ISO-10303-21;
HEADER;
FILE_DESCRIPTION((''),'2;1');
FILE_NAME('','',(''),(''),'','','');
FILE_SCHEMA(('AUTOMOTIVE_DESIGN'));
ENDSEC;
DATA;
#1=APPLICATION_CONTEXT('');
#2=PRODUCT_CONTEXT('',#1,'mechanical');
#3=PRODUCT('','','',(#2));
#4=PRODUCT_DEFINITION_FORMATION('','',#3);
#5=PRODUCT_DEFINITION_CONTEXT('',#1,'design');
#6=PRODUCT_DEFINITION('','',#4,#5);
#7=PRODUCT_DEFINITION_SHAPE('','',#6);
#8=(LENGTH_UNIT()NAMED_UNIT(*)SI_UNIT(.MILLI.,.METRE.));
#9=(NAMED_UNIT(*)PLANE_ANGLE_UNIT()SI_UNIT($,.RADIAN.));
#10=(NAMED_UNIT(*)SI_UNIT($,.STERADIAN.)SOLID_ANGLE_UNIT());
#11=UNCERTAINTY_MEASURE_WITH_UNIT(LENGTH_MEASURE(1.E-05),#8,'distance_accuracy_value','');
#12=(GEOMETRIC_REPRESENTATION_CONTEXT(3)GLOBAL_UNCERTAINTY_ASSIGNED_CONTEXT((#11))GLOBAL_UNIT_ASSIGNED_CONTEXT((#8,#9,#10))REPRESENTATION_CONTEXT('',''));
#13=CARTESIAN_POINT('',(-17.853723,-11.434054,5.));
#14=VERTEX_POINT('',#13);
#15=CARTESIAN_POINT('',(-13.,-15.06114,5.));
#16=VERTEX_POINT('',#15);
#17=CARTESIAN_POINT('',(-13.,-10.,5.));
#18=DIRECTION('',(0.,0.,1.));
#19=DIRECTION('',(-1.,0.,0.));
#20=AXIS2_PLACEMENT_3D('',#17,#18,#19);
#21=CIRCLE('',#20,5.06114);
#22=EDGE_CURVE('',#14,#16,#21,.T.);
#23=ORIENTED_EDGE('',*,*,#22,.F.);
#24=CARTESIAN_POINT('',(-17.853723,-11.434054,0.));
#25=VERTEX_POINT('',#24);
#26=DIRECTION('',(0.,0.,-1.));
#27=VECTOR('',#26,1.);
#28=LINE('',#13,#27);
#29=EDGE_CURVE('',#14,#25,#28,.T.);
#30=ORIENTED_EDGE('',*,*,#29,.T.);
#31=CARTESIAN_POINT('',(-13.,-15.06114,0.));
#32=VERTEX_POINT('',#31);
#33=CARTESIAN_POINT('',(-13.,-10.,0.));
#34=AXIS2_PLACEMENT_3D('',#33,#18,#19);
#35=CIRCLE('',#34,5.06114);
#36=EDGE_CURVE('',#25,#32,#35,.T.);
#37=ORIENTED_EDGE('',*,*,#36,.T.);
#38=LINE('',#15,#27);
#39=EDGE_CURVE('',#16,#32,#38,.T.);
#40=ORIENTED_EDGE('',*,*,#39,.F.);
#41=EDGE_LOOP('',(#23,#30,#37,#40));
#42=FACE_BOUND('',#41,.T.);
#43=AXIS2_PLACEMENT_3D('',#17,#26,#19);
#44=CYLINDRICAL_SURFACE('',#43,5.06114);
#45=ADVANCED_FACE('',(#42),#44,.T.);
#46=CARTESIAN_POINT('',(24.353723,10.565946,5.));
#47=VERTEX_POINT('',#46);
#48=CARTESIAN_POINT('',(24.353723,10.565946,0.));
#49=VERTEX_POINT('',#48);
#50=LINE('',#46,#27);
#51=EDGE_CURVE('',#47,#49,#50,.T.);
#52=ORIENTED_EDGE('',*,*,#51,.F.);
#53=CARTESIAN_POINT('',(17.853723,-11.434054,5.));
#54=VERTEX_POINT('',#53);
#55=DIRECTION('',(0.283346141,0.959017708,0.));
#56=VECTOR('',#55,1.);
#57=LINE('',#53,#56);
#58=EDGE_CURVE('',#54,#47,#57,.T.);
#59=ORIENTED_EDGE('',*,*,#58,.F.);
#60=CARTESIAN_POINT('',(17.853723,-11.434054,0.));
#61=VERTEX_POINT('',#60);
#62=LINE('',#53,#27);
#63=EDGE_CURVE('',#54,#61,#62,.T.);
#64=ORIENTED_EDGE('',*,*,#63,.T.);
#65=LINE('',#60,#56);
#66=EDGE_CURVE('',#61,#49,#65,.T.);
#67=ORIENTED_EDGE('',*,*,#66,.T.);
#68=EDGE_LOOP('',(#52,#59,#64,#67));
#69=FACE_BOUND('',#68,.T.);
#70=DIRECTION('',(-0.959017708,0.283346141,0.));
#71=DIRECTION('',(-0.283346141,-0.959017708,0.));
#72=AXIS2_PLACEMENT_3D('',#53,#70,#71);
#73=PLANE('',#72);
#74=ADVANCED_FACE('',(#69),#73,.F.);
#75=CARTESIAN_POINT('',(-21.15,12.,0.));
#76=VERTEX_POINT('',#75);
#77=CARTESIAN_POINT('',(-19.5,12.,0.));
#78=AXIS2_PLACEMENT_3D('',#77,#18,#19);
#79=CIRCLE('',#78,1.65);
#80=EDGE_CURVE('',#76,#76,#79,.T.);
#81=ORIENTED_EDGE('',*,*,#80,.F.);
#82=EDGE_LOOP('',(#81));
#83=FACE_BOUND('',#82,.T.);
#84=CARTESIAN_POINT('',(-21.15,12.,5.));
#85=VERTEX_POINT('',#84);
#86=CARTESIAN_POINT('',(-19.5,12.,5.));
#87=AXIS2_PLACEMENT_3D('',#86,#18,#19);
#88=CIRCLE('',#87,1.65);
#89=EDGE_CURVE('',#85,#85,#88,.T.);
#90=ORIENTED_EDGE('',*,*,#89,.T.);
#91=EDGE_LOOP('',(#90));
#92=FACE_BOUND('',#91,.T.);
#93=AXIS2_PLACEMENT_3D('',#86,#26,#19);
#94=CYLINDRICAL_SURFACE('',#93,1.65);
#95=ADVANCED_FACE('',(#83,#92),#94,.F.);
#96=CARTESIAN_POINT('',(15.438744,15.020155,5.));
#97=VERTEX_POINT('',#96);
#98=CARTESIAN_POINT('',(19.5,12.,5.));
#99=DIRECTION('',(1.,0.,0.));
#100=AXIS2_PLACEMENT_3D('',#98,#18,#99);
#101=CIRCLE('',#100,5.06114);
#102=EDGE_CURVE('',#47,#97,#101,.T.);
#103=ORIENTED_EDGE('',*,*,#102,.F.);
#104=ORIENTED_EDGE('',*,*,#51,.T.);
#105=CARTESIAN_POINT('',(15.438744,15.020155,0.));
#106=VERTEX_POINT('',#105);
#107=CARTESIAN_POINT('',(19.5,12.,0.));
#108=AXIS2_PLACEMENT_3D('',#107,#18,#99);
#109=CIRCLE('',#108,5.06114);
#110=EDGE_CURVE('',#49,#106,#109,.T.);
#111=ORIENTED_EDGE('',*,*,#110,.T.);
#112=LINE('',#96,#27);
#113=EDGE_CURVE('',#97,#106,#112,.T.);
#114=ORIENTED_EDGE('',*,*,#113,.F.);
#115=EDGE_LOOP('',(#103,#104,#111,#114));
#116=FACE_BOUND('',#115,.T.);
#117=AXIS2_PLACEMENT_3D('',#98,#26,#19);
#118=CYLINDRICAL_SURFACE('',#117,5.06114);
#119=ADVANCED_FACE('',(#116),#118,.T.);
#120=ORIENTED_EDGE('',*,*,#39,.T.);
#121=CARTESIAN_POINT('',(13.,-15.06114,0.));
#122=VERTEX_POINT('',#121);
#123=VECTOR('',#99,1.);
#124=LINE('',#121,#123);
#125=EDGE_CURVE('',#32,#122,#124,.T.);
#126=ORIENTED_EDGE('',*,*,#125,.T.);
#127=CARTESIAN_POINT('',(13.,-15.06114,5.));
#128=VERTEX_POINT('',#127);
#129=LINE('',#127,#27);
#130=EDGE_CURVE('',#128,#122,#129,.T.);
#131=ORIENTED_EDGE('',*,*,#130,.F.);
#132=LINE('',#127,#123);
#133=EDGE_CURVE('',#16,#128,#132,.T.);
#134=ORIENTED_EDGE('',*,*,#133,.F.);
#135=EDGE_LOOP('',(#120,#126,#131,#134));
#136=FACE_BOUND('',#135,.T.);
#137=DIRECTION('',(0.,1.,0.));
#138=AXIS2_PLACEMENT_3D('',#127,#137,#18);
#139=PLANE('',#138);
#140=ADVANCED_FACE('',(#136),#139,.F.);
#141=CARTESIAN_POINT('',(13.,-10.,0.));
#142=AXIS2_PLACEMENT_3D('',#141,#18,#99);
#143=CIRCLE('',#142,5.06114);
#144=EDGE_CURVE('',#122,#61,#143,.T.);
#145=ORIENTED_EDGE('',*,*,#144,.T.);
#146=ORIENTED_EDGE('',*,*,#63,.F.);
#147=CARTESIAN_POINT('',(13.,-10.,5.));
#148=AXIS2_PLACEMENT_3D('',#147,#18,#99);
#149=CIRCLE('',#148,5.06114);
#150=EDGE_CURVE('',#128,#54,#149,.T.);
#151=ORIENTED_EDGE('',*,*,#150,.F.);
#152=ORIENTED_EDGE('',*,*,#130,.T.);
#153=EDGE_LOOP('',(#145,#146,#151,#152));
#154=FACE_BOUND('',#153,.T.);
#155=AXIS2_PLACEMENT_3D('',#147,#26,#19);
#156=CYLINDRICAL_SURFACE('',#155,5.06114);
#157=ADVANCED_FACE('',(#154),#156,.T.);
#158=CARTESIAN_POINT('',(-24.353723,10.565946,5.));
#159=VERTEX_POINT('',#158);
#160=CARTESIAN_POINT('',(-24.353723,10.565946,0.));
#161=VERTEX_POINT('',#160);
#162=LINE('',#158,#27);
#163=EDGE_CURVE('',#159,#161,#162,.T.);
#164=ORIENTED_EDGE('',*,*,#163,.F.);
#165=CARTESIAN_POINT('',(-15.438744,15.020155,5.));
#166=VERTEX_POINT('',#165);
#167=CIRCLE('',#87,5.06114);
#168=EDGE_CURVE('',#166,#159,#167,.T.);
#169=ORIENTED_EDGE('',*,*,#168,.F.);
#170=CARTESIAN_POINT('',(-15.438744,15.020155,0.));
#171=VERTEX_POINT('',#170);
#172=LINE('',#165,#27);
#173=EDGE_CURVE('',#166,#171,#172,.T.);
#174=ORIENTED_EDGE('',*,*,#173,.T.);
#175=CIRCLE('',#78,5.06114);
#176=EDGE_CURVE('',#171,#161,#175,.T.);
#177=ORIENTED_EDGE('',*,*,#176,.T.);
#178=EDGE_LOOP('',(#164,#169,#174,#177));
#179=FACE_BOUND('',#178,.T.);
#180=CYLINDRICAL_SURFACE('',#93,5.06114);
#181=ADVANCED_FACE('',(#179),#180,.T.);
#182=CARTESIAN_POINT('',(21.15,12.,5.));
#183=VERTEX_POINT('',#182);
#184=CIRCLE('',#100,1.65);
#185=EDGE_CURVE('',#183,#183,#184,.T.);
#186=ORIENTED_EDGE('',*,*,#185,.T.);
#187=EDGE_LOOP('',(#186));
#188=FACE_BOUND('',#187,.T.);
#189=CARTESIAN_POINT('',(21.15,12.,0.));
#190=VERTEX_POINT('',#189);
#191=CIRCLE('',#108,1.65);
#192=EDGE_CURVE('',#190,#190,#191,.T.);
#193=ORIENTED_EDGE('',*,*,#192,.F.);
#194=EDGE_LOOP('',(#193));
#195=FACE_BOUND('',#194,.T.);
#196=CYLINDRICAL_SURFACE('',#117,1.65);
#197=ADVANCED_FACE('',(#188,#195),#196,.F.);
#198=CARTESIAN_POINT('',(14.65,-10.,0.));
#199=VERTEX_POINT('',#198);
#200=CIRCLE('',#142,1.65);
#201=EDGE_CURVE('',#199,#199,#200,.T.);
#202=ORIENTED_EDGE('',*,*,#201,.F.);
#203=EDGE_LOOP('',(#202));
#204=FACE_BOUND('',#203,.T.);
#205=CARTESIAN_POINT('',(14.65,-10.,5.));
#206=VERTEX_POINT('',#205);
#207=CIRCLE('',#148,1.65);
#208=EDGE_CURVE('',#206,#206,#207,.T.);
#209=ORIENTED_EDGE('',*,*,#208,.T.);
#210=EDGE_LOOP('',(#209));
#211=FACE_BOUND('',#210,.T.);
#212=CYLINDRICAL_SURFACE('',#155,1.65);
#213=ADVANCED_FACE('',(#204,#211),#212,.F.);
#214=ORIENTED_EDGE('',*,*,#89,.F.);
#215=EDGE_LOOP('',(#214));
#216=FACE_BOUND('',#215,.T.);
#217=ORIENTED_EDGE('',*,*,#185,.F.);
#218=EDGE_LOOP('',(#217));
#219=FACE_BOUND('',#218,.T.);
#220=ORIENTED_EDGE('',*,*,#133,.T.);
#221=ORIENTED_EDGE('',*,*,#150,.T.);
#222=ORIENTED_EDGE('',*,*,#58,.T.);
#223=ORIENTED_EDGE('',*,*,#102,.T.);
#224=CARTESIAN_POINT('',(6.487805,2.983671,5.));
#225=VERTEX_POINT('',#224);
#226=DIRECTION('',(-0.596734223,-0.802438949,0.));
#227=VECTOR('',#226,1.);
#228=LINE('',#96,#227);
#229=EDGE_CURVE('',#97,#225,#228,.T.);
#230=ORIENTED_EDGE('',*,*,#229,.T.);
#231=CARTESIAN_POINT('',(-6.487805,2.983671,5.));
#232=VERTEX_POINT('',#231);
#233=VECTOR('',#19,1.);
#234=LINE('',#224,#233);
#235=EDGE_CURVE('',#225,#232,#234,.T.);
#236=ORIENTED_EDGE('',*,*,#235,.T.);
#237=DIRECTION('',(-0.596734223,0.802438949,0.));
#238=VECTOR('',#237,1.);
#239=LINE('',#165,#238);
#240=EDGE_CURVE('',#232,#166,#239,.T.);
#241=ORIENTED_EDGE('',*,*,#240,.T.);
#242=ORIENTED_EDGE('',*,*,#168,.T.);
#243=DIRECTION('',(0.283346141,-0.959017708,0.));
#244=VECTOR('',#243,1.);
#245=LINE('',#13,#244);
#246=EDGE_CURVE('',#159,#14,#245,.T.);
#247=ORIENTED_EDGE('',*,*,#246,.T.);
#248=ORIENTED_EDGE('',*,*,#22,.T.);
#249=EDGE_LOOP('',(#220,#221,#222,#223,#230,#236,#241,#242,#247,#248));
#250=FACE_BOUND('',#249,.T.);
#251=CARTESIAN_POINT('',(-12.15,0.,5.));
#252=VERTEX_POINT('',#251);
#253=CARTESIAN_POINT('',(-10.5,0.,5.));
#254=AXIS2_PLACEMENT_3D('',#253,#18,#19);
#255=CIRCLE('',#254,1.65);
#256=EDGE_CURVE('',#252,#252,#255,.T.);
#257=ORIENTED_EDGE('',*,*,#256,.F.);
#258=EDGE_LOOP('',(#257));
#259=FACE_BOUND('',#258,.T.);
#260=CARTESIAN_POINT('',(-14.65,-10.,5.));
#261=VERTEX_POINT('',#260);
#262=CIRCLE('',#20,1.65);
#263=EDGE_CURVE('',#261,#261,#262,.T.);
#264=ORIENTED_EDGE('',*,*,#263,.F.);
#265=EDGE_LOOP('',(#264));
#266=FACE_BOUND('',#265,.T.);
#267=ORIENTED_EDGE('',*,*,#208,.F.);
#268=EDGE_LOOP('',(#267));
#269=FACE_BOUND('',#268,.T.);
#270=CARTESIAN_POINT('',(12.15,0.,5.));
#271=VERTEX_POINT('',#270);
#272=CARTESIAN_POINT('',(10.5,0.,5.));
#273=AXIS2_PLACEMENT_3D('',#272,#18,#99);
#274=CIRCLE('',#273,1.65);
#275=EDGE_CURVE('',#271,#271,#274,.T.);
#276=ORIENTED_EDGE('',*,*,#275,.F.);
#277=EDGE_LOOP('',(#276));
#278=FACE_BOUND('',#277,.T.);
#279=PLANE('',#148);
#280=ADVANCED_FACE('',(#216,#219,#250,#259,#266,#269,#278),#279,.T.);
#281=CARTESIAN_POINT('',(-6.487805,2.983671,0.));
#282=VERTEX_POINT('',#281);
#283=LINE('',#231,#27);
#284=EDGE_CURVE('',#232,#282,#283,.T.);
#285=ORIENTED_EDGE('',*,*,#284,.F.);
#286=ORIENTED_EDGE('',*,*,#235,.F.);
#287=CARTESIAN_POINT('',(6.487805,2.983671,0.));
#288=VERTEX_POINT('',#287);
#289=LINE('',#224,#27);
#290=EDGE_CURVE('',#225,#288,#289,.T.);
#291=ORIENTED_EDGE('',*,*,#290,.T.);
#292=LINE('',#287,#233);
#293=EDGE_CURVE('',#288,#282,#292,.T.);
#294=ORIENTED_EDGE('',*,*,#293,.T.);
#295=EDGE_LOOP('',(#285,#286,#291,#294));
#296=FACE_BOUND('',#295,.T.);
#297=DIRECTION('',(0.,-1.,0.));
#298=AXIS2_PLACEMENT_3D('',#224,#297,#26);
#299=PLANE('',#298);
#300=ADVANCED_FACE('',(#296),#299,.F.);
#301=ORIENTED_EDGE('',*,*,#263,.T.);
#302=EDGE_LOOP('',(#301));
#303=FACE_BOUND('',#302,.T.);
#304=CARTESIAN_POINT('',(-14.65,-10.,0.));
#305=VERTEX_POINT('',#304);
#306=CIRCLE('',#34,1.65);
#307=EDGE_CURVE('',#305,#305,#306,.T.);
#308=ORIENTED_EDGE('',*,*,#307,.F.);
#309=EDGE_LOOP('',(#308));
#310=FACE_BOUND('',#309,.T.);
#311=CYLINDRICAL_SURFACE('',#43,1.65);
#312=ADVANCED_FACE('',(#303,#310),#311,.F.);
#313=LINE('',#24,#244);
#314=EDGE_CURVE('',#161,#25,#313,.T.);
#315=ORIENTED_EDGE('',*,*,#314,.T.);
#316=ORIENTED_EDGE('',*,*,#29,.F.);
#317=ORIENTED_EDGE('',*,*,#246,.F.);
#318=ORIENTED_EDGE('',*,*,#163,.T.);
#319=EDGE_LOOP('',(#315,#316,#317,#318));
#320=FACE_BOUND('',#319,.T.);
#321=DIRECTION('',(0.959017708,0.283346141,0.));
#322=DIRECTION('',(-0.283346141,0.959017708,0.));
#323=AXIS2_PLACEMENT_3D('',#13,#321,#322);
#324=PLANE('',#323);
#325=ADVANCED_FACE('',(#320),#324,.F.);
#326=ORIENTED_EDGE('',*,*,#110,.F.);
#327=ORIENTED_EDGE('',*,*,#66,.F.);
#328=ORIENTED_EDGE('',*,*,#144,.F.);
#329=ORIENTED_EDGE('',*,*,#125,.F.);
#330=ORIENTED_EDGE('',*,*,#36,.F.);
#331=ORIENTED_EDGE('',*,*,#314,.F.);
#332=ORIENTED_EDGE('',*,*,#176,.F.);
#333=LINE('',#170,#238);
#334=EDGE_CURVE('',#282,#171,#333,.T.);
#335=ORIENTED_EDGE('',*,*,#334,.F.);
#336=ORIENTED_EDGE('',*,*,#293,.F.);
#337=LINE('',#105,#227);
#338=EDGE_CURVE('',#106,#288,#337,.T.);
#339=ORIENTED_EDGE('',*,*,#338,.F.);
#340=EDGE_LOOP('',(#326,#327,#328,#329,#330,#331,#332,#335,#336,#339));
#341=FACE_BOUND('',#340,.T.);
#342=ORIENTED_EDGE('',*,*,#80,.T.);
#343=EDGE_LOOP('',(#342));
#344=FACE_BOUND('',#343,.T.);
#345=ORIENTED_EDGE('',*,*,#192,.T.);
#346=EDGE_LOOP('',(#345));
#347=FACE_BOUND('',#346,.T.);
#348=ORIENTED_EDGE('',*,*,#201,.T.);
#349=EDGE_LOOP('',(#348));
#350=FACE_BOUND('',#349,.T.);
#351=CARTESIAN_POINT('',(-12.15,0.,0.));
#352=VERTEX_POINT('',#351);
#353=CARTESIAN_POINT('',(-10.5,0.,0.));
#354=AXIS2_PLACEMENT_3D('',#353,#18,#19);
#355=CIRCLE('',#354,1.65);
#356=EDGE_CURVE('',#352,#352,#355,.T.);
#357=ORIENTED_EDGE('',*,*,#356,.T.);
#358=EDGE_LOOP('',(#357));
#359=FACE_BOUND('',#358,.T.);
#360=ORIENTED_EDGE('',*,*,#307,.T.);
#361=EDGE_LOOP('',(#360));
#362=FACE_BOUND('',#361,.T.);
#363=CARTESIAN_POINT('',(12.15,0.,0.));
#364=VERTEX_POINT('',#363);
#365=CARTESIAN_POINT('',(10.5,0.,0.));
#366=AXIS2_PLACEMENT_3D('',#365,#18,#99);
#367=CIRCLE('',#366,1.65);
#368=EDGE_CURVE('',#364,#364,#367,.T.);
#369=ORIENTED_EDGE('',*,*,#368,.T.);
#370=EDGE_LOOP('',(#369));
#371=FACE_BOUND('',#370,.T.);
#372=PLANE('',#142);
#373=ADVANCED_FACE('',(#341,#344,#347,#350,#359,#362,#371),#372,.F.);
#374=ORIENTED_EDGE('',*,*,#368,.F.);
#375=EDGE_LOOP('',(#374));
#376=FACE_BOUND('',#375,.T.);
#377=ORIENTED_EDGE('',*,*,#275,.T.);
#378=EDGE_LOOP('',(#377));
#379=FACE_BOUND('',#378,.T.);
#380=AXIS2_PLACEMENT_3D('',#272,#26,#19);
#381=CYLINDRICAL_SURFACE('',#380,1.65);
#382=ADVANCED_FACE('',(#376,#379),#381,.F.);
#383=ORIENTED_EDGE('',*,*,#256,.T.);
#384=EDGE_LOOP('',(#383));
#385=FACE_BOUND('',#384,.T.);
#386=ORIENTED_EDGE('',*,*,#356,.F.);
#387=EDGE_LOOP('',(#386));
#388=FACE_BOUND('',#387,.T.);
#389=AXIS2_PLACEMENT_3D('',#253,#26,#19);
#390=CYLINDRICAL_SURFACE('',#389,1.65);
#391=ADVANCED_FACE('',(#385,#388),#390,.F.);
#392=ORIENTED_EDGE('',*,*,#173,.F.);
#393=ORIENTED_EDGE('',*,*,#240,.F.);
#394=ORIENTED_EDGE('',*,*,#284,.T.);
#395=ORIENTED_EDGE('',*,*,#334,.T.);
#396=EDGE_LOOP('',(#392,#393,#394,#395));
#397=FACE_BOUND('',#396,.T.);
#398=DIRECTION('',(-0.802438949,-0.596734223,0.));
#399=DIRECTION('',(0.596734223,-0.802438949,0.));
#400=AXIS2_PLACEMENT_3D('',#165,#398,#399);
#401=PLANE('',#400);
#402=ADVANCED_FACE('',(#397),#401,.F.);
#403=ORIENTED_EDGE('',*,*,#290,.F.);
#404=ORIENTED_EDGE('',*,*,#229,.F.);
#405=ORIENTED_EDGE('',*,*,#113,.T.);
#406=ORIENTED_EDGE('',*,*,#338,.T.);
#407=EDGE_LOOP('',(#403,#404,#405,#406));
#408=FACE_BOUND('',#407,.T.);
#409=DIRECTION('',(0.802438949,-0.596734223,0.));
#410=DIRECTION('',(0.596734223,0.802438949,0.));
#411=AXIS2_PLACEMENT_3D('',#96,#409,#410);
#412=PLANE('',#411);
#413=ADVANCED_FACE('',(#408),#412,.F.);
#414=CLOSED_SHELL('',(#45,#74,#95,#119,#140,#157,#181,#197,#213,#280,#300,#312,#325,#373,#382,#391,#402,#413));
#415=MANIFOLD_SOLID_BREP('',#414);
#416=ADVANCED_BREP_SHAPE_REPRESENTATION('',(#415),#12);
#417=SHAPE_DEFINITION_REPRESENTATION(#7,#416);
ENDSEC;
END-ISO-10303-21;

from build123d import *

# Parameters (mm, degrees)
SZKIC1_R                    = 1.65
DODANIE_WYCI_GNI_CIE1_DEPTH = 5


with BuildPart() as part:
    # Szkic1 → Dodanie-wyciągnięcie1 (new body)
    with BuildSketch(Plane.XY):
        with BuildLine():
            Line((17.853722756, -11.434054451), (24.353722756, 10.565945549))
            ThreePointArc((24.353722756, 10.565945549), (21.762078084, 16.527487106), (15.438744243, 15.020155366))
            Line((15.438744243, 15.020155366), (6.487805254, 2.983671115))
            Line((6.487805254, 2.983671115), (-6.487805254, 2.983671115))
            Line((-6.487805254, 2.983671115), (-15.438744243, 15.020155366))
            ThreePointArc((-15.438744243, 15.020155366), (-21.762078084, 16.527487106), (-24.353722756, 10.565945549))
            Line((-24.353722756, 10.565945549), (-17.853722756, -11.434054451))
            ThreePointArc((-17.853722756, -11.434054451), (-16.029619333, -14.054200717), (-13, -15.061139867))
            Line((-13, -15.061139867), (13, -15.061139867))
            ThreePointArc((13, -15.061139867), (16.029619333, -14.054200717), (17.853722756, -11.434054451))
        make_face()
        with Locations((10.5, 0)):
            Circle(SZKIC1_R, mode=Mode.SUBTRACT)
        with Locations((19.5, 12)):
            Circle(SZKIC1_R, mode=Mode.SUBTRACT)
        with Locations((13, -10)):
            Circle(SZKIC1_R, mode=Mode.SUBTRACT)
        with Locations(Location((-13, -10, 0), (0, 0, 180))):
            Circle(SZKIC1_R, mode=Mode.SUBTRACT)
        with Locations(Location((-19.5, 12, 0), (0, 0, 180))):
            Circle(SZKIC1_R, mode=Mode.SUBTRACT)
        with Locations(Location((-10.5, 0, 0), (0, 0, 180))):
            Circle(SZKIC1_R, mode=Mode.SUBTRACT)
    extrude(amount=DODANIE_WYCI_GNI_CIE1_DEPTH)


solid = part.part
